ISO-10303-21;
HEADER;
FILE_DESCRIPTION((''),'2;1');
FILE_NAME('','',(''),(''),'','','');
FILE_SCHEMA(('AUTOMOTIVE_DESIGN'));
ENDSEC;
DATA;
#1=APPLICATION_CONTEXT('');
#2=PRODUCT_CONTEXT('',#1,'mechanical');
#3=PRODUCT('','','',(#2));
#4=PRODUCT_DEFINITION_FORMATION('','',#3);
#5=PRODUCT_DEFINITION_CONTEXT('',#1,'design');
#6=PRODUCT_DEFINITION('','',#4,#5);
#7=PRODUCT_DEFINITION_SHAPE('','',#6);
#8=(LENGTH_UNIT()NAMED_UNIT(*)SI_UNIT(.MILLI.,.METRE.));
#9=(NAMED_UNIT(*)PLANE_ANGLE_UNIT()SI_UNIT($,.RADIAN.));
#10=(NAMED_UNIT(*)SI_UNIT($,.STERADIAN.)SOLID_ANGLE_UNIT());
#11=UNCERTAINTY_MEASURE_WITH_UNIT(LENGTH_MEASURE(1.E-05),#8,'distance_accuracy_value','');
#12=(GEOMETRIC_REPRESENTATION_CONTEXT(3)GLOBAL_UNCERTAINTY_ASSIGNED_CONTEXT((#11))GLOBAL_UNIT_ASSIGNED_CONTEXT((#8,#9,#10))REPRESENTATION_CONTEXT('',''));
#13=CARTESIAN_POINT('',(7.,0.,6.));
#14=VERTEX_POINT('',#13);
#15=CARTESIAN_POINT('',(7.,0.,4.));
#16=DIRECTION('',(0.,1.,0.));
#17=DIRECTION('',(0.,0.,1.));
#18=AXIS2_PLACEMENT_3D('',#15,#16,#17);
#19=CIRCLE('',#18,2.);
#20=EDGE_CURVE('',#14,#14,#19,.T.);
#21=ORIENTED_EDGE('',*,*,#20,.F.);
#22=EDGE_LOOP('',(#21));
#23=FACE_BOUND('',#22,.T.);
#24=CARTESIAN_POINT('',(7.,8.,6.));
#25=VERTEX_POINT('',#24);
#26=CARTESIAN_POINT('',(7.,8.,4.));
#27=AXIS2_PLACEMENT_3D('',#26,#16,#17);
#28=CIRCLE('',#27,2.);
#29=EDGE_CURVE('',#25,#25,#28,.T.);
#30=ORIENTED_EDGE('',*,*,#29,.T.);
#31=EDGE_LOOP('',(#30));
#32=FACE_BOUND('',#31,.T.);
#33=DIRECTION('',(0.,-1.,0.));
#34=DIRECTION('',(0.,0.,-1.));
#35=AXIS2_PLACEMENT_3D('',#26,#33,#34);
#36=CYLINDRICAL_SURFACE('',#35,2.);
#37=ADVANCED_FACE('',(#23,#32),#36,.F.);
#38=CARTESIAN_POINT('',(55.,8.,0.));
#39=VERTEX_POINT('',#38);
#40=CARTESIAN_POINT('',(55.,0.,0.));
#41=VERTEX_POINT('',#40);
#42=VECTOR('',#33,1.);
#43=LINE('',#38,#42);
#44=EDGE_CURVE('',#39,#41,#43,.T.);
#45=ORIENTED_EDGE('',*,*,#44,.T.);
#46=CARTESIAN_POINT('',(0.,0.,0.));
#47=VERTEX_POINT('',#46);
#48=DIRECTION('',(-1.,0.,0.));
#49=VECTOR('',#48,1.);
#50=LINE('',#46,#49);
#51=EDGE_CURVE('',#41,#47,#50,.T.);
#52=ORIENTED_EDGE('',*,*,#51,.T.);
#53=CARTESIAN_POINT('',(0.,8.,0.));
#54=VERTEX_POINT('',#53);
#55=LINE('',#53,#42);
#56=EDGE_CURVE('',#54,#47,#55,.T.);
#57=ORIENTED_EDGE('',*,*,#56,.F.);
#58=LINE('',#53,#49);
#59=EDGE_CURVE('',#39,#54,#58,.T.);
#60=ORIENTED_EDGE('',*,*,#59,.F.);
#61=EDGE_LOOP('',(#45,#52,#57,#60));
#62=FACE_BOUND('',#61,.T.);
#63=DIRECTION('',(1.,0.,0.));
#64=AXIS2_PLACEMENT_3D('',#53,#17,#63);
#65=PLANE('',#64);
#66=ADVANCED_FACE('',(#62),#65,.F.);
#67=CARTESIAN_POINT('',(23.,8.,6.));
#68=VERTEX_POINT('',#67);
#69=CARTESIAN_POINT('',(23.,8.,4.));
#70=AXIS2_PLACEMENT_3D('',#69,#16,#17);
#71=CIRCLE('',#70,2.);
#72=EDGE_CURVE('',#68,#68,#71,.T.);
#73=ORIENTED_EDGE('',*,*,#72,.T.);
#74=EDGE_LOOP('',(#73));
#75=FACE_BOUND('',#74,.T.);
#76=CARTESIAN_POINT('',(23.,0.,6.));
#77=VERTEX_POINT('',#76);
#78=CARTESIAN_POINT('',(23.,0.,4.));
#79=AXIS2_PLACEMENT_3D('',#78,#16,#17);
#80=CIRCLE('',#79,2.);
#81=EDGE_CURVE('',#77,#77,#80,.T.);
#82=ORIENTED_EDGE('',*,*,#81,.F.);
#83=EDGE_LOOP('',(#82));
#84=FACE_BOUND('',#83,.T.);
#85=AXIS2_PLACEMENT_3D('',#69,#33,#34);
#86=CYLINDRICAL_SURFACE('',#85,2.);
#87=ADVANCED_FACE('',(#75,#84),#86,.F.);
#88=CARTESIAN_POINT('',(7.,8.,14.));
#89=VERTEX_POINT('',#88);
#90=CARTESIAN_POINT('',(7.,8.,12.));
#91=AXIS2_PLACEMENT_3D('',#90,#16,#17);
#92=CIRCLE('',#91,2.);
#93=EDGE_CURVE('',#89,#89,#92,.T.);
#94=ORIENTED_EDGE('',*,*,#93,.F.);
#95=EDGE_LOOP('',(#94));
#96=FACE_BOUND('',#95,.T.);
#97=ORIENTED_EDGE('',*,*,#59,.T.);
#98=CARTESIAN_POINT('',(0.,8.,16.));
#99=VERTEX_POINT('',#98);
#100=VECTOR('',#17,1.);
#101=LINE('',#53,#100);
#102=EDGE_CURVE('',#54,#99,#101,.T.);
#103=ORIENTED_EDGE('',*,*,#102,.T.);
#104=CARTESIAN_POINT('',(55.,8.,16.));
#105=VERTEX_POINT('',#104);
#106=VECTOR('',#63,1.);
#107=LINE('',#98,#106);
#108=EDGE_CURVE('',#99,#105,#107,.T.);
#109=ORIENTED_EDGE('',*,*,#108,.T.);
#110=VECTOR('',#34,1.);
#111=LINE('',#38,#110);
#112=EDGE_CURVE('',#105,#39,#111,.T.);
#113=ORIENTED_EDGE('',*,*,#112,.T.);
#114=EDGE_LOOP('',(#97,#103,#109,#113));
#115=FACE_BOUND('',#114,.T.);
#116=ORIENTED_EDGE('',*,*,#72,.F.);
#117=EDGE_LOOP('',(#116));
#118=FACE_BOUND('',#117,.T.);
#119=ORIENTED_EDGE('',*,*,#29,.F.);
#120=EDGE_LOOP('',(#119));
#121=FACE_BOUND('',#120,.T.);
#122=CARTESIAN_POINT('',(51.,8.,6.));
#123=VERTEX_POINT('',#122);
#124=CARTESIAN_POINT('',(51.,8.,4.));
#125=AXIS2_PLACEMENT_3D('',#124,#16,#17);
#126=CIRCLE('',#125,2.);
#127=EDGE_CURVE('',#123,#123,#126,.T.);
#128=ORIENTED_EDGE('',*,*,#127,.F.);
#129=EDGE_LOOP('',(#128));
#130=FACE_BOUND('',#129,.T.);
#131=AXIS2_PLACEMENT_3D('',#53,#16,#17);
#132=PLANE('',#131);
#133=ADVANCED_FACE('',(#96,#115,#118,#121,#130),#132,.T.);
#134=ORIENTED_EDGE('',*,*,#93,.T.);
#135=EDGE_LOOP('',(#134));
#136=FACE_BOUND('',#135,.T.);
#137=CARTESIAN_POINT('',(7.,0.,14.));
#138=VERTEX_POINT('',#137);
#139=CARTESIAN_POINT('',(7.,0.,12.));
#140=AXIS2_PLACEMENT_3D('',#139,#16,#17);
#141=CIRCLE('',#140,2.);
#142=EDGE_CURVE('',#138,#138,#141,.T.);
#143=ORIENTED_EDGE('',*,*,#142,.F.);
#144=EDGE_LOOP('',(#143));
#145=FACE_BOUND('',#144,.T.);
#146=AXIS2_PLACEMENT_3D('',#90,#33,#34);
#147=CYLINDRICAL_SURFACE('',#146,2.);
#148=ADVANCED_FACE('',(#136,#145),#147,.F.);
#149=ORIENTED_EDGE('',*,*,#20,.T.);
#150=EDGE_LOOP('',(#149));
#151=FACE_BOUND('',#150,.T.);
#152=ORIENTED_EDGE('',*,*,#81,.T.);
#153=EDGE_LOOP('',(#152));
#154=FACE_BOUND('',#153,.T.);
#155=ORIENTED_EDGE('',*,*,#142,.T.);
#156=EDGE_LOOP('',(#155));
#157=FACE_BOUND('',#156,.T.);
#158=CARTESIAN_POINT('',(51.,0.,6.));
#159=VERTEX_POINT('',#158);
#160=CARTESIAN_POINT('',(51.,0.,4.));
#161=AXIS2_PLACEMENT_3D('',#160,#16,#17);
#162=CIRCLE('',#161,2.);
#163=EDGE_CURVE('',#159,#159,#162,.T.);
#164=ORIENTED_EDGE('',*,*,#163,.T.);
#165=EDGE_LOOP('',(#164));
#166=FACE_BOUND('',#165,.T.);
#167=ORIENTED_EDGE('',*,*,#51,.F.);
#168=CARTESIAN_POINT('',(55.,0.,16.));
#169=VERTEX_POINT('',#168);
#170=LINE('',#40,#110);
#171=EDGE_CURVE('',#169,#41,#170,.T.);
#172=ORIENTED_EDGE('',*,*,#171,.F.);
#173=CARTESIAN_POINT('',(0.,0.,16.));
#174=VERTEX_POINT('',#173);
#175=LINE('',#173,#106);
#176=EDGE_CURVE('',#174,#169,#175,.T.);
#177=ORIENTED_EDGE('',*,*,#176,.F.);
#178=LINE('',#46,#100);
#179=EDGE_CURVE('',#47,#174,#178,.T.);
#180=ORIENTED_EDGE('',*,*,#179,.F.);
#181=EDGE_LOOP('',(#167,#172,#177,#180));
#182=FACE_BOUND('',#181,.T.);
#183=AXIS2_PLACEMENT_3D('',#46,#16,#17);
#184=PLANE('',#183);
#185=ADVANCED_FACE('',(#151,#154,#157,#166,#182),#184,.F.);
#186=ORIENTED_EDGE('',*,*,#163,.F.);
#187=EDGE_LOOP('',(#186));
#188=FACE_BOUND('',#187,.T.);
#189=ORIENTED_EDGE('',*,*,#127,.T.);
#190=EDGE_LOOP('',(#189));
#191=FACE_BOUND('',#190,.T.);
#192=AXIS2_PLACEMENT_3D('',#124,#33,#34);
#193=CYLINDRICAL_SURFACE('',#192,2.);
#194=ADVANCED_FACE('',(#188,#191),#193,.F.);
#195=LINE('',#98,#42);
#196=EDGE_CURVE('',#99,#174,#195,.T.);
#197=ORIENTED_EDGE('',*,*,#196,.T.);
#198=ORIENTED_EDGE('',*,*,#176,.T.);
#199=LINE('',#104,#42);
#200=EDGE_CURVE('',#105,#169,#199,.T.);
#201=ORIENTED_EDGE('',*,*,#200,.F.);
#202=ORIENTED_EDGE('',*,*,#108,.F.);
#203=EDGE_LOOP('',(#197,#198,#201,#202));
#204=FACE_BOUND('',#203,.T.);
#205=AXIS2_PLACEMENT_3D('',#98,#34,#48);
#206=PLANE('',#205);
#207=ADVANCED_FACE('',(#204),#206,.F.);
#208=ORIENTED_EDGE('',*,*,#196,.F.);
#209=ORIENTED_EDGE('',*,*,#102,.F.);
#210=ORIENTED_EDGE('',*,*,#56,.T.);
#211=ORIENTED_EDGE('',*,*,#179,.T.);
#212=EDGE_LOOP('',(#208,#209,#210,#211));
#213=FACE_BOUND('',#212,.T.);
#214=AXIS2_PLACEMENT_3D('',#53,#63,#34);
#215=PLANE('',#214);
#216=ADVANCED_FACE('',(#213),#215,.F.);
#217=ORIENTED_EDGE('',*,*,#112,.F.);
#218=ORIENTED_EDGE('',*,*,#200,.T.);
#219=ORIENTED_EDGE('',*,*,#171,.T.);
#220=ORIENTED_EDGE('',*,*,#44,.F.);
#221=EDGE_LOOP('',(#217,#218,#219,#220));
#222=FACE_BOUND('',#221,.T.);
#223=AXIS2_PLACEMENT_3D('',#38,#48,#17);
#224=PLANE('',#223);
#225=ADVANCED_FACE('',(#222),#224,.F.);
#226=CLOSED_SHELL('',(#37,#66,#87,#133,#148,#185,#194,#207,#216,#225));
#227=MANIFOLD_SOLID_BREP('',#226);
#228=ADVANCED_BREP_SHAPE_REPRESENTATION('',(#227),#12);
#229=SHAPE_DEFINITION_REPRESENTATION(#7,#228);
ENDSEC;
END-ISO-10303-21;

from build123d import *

# Parameters (mm, degrees)
SKETCH2_W           = 55
SKETCH2_H           = 16
SKETCH2_R           = 2
BOSS_EXTRUDE1_DEPTH = 8


with BuildPart() as part:
    # Sketch2 → Boss-Extrude1 (new body)
    with BuildSketch(Plane(origin=(0, 0, 0), x_dir=(1, 0, 0), z_dir=(0, 1, 0))):
        with Locations((27.5, -8)):
            Rectangle(SKETCH2_W, SKETCH2_H)
        with Locations(Location((23, -4, 0), (0, 0, 270))):
            Circle(SKETCH2_R, mode=Mode.SUBTRACT)
        with Locations(Location((51, -4, 0), (0, 0, 270))):
            Circle(SKETCH2_R, mode=Mode.SUBTRACT)
        with Locations(Location((7, -4, 0), (0, 0, 270))):
            Circle(SKETCH2_R, mode=Mode.SUBTRACT)
        with Locations(Location((7, -12, 0), (0, 0, 270))):
            Circle(SKETCH2_R, mode=Mode.SUBTRACT)
    extrude(amount=BOSS_EXTRUDE1_DEPTH)


solid = part.part
